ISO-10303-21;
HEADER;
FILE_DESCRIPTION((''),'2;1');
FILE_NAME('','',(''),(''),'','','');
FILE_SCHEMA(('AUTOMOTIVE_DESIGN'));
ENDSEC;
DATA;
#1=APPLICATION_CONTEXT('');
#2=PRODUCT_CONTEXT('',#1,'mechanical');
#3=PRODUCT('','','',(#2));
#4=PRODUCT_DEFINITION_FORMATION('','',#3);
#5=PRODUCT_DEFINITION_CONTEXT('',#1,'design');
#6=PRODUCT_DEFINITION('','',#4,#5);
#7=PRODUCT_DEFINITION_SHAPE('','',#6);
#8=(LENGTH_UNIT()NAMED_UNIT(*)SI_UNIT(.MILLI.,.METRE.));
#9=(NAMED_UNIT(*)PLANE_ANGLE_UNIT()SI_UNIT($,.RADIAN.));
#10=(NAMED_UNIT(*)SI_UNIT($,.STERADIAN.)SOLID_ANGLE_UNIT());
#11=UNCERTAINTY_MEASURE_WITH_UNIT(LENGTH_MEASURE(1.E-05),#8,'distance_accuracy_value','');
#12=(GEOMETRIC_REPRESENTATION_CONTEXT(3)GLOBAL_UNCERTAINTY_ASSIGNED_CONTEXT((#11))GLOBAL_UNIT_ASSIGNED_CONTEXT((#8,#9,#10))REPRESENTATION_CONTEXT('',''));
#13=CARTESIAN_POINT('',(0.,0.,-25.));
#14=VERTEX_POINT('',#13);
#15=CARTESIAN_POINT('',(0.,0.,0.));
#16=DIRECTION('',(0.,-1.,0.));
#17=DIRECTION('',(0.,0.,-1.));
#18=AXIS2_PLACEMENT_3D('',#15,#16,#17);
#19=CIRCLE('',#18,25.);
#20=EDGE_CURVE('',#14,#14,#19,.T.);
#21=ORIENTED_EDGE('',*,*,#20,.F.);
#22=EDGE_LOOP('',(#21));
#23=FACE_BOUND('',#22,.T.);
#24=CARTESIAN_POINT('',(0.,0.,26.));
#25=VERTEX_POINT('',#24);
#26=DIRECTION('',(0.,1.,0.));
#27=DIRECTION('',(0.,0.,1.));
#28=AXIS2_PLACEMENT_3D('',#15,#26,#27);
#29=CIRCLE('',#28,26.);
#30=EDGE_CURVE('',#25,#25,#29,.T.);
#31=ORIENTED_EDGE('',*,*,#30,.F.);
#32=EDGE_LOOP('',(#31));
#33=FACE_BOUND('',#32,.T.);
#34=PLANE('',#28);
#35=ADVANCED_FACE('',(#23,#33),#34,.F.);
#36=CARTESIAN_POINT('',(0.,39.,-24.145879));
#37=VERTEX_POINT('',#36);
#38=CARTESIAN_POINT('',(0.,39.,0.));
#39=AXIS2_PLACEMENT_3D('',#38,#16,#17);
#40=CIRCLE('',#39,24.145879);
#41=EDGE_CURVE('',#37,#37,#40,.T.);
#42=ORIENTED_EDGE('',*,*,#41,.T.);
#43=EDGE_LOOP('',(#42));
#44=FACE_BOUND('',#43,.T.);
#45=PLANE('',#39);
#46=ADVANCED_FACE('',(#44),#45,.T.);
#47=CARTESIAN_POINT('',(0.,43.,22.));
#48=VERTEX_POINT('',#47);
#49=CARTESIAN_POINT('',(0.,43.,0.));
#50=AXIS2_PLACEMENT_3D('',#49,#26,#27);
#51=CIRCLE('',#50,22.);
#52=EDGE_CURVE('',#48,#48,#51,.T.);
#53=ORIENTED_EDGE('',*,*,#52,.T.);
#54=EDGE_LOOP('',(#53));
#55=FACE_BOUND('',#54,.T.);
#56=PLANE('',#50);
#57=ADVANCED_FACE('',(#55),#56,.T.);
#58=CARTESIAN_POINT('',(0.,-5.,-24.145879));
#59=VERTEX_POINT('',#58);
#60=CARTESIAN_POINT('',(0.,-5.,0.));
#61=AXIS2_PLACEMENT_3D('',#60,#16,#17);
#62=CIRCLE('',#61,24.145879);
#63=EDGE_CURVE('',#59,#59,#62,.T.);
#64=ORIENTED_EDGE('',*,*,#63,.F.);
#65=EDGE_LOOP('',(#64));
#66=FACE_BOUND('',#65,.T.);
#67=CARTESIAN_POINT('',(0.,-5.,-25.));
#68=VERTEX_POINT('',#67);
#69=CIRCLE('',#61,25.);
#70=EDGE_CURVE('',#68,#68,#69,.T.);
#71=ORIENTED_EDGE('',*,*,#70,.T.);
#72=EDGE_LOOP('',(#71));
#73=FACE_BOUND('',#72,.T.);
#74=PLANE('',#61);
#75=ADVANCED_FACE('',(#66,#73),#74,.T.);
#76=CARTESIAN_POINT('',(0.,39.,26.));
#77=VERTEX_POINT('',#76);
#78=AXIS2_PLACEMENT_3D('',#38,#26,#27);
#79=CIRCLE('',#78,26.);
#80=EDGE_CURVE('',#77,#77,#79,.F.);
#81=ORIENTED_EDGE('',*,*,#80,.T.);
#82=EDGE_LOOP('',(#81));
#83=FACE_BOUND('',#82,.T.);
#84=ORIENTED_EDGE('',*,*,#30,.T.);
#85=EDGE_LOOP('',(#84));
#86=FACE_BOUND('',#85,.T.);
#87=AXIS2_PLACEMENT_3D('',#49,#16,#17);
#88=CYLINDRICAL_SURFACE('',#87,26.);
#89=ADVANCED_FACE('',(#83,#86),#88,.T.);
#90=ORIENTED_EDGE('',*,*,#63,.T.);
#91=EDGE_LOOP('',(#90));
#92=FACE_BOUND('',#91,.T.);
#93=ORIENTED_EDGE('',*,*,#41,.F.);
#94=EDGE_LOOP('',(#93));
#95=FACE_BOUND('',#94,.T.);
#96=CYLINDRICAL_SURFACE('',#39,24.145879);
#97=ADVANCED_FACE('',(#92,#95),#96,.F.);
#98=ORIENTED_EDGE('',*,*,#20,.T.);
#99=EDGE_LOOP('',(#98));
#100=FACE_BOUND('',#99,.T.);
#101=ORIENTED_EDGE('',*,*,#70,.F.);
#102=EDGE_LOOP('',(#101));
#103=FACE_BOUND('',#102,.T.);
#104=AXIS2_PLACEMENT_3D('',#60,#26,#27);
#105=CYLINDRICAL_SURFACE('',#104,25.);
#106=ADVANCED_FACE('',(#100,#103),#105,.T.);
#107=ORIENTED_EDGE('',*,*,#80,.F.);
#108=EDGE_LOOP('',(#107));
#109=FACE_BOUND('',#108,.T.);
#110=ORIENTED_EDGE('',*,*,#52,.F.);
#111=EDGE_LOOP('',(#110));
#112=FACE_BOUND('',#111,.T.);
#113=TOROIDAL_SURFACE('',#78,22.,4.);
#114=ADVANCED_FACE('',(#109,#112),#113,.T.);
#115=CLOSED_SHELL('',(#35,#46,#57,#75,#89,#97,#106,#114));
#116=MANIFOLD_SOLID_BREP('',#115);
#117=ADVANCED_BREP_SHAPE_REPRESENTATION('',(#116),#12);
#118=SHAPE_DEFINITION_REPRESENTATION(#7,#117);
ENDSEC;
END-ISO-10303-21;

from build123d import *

# Parameters (mm, degrees)
SKETCH1_R           = 26
BOSS_EXTRUDE1_DEPTH = 43
SKETCH2_R           = 25
BOSS_EXTRUDE2_DEPTH = 5
SKETCH3_R           = 24.145878613
CUT_EXTRUDE1_DEPTH  = 44
FILLET1_R           = 4


with BuildPart() as part:
    # Sketch1 → Boss-Extrude1 (new body)
    with BuildSketch(Plane(origin=(0, 0, 0), x_dir=(1, 0, 0), z_dir=(0, 1, 0))):
        with Locations(Location((0, 0, 0), (0, 0, 270))):
            Circle(SKETCH1_R)
    extrude(amount=BOSS_EXTRUDE1_DEPTH)

    # Sketch2 → Boss-Extrude2 (add)
    with BuildSketch(Plane.XZ):
        with Locations(Location((0, 0, 0), (0, 0, 270))):
            Circle(SKETCH2_R)
    extrude(amount=BOSS_EXTRUDE2_DEPTH)

    # Sketch3 → Cut-Extrude1 (cut)
    with BuildSketch(Plane.XZ.offset(5)):
        with Locations(Location((0, 0, 0), (0, 0, 270))):
            Circle(SKETCH3_R)
    extrude(amount=-CUT_EXTRUDE1_DEPTH, mode=Mode.SUBTRACT)

    # Fillet1
    fillet1_edges = [part.edges().sort_by_distance(p)[0] for p in [
        (0, 43, -26),
    ]]
    fillet(fillet1_edges, radius=FILLET1_R)


solid = part.part
